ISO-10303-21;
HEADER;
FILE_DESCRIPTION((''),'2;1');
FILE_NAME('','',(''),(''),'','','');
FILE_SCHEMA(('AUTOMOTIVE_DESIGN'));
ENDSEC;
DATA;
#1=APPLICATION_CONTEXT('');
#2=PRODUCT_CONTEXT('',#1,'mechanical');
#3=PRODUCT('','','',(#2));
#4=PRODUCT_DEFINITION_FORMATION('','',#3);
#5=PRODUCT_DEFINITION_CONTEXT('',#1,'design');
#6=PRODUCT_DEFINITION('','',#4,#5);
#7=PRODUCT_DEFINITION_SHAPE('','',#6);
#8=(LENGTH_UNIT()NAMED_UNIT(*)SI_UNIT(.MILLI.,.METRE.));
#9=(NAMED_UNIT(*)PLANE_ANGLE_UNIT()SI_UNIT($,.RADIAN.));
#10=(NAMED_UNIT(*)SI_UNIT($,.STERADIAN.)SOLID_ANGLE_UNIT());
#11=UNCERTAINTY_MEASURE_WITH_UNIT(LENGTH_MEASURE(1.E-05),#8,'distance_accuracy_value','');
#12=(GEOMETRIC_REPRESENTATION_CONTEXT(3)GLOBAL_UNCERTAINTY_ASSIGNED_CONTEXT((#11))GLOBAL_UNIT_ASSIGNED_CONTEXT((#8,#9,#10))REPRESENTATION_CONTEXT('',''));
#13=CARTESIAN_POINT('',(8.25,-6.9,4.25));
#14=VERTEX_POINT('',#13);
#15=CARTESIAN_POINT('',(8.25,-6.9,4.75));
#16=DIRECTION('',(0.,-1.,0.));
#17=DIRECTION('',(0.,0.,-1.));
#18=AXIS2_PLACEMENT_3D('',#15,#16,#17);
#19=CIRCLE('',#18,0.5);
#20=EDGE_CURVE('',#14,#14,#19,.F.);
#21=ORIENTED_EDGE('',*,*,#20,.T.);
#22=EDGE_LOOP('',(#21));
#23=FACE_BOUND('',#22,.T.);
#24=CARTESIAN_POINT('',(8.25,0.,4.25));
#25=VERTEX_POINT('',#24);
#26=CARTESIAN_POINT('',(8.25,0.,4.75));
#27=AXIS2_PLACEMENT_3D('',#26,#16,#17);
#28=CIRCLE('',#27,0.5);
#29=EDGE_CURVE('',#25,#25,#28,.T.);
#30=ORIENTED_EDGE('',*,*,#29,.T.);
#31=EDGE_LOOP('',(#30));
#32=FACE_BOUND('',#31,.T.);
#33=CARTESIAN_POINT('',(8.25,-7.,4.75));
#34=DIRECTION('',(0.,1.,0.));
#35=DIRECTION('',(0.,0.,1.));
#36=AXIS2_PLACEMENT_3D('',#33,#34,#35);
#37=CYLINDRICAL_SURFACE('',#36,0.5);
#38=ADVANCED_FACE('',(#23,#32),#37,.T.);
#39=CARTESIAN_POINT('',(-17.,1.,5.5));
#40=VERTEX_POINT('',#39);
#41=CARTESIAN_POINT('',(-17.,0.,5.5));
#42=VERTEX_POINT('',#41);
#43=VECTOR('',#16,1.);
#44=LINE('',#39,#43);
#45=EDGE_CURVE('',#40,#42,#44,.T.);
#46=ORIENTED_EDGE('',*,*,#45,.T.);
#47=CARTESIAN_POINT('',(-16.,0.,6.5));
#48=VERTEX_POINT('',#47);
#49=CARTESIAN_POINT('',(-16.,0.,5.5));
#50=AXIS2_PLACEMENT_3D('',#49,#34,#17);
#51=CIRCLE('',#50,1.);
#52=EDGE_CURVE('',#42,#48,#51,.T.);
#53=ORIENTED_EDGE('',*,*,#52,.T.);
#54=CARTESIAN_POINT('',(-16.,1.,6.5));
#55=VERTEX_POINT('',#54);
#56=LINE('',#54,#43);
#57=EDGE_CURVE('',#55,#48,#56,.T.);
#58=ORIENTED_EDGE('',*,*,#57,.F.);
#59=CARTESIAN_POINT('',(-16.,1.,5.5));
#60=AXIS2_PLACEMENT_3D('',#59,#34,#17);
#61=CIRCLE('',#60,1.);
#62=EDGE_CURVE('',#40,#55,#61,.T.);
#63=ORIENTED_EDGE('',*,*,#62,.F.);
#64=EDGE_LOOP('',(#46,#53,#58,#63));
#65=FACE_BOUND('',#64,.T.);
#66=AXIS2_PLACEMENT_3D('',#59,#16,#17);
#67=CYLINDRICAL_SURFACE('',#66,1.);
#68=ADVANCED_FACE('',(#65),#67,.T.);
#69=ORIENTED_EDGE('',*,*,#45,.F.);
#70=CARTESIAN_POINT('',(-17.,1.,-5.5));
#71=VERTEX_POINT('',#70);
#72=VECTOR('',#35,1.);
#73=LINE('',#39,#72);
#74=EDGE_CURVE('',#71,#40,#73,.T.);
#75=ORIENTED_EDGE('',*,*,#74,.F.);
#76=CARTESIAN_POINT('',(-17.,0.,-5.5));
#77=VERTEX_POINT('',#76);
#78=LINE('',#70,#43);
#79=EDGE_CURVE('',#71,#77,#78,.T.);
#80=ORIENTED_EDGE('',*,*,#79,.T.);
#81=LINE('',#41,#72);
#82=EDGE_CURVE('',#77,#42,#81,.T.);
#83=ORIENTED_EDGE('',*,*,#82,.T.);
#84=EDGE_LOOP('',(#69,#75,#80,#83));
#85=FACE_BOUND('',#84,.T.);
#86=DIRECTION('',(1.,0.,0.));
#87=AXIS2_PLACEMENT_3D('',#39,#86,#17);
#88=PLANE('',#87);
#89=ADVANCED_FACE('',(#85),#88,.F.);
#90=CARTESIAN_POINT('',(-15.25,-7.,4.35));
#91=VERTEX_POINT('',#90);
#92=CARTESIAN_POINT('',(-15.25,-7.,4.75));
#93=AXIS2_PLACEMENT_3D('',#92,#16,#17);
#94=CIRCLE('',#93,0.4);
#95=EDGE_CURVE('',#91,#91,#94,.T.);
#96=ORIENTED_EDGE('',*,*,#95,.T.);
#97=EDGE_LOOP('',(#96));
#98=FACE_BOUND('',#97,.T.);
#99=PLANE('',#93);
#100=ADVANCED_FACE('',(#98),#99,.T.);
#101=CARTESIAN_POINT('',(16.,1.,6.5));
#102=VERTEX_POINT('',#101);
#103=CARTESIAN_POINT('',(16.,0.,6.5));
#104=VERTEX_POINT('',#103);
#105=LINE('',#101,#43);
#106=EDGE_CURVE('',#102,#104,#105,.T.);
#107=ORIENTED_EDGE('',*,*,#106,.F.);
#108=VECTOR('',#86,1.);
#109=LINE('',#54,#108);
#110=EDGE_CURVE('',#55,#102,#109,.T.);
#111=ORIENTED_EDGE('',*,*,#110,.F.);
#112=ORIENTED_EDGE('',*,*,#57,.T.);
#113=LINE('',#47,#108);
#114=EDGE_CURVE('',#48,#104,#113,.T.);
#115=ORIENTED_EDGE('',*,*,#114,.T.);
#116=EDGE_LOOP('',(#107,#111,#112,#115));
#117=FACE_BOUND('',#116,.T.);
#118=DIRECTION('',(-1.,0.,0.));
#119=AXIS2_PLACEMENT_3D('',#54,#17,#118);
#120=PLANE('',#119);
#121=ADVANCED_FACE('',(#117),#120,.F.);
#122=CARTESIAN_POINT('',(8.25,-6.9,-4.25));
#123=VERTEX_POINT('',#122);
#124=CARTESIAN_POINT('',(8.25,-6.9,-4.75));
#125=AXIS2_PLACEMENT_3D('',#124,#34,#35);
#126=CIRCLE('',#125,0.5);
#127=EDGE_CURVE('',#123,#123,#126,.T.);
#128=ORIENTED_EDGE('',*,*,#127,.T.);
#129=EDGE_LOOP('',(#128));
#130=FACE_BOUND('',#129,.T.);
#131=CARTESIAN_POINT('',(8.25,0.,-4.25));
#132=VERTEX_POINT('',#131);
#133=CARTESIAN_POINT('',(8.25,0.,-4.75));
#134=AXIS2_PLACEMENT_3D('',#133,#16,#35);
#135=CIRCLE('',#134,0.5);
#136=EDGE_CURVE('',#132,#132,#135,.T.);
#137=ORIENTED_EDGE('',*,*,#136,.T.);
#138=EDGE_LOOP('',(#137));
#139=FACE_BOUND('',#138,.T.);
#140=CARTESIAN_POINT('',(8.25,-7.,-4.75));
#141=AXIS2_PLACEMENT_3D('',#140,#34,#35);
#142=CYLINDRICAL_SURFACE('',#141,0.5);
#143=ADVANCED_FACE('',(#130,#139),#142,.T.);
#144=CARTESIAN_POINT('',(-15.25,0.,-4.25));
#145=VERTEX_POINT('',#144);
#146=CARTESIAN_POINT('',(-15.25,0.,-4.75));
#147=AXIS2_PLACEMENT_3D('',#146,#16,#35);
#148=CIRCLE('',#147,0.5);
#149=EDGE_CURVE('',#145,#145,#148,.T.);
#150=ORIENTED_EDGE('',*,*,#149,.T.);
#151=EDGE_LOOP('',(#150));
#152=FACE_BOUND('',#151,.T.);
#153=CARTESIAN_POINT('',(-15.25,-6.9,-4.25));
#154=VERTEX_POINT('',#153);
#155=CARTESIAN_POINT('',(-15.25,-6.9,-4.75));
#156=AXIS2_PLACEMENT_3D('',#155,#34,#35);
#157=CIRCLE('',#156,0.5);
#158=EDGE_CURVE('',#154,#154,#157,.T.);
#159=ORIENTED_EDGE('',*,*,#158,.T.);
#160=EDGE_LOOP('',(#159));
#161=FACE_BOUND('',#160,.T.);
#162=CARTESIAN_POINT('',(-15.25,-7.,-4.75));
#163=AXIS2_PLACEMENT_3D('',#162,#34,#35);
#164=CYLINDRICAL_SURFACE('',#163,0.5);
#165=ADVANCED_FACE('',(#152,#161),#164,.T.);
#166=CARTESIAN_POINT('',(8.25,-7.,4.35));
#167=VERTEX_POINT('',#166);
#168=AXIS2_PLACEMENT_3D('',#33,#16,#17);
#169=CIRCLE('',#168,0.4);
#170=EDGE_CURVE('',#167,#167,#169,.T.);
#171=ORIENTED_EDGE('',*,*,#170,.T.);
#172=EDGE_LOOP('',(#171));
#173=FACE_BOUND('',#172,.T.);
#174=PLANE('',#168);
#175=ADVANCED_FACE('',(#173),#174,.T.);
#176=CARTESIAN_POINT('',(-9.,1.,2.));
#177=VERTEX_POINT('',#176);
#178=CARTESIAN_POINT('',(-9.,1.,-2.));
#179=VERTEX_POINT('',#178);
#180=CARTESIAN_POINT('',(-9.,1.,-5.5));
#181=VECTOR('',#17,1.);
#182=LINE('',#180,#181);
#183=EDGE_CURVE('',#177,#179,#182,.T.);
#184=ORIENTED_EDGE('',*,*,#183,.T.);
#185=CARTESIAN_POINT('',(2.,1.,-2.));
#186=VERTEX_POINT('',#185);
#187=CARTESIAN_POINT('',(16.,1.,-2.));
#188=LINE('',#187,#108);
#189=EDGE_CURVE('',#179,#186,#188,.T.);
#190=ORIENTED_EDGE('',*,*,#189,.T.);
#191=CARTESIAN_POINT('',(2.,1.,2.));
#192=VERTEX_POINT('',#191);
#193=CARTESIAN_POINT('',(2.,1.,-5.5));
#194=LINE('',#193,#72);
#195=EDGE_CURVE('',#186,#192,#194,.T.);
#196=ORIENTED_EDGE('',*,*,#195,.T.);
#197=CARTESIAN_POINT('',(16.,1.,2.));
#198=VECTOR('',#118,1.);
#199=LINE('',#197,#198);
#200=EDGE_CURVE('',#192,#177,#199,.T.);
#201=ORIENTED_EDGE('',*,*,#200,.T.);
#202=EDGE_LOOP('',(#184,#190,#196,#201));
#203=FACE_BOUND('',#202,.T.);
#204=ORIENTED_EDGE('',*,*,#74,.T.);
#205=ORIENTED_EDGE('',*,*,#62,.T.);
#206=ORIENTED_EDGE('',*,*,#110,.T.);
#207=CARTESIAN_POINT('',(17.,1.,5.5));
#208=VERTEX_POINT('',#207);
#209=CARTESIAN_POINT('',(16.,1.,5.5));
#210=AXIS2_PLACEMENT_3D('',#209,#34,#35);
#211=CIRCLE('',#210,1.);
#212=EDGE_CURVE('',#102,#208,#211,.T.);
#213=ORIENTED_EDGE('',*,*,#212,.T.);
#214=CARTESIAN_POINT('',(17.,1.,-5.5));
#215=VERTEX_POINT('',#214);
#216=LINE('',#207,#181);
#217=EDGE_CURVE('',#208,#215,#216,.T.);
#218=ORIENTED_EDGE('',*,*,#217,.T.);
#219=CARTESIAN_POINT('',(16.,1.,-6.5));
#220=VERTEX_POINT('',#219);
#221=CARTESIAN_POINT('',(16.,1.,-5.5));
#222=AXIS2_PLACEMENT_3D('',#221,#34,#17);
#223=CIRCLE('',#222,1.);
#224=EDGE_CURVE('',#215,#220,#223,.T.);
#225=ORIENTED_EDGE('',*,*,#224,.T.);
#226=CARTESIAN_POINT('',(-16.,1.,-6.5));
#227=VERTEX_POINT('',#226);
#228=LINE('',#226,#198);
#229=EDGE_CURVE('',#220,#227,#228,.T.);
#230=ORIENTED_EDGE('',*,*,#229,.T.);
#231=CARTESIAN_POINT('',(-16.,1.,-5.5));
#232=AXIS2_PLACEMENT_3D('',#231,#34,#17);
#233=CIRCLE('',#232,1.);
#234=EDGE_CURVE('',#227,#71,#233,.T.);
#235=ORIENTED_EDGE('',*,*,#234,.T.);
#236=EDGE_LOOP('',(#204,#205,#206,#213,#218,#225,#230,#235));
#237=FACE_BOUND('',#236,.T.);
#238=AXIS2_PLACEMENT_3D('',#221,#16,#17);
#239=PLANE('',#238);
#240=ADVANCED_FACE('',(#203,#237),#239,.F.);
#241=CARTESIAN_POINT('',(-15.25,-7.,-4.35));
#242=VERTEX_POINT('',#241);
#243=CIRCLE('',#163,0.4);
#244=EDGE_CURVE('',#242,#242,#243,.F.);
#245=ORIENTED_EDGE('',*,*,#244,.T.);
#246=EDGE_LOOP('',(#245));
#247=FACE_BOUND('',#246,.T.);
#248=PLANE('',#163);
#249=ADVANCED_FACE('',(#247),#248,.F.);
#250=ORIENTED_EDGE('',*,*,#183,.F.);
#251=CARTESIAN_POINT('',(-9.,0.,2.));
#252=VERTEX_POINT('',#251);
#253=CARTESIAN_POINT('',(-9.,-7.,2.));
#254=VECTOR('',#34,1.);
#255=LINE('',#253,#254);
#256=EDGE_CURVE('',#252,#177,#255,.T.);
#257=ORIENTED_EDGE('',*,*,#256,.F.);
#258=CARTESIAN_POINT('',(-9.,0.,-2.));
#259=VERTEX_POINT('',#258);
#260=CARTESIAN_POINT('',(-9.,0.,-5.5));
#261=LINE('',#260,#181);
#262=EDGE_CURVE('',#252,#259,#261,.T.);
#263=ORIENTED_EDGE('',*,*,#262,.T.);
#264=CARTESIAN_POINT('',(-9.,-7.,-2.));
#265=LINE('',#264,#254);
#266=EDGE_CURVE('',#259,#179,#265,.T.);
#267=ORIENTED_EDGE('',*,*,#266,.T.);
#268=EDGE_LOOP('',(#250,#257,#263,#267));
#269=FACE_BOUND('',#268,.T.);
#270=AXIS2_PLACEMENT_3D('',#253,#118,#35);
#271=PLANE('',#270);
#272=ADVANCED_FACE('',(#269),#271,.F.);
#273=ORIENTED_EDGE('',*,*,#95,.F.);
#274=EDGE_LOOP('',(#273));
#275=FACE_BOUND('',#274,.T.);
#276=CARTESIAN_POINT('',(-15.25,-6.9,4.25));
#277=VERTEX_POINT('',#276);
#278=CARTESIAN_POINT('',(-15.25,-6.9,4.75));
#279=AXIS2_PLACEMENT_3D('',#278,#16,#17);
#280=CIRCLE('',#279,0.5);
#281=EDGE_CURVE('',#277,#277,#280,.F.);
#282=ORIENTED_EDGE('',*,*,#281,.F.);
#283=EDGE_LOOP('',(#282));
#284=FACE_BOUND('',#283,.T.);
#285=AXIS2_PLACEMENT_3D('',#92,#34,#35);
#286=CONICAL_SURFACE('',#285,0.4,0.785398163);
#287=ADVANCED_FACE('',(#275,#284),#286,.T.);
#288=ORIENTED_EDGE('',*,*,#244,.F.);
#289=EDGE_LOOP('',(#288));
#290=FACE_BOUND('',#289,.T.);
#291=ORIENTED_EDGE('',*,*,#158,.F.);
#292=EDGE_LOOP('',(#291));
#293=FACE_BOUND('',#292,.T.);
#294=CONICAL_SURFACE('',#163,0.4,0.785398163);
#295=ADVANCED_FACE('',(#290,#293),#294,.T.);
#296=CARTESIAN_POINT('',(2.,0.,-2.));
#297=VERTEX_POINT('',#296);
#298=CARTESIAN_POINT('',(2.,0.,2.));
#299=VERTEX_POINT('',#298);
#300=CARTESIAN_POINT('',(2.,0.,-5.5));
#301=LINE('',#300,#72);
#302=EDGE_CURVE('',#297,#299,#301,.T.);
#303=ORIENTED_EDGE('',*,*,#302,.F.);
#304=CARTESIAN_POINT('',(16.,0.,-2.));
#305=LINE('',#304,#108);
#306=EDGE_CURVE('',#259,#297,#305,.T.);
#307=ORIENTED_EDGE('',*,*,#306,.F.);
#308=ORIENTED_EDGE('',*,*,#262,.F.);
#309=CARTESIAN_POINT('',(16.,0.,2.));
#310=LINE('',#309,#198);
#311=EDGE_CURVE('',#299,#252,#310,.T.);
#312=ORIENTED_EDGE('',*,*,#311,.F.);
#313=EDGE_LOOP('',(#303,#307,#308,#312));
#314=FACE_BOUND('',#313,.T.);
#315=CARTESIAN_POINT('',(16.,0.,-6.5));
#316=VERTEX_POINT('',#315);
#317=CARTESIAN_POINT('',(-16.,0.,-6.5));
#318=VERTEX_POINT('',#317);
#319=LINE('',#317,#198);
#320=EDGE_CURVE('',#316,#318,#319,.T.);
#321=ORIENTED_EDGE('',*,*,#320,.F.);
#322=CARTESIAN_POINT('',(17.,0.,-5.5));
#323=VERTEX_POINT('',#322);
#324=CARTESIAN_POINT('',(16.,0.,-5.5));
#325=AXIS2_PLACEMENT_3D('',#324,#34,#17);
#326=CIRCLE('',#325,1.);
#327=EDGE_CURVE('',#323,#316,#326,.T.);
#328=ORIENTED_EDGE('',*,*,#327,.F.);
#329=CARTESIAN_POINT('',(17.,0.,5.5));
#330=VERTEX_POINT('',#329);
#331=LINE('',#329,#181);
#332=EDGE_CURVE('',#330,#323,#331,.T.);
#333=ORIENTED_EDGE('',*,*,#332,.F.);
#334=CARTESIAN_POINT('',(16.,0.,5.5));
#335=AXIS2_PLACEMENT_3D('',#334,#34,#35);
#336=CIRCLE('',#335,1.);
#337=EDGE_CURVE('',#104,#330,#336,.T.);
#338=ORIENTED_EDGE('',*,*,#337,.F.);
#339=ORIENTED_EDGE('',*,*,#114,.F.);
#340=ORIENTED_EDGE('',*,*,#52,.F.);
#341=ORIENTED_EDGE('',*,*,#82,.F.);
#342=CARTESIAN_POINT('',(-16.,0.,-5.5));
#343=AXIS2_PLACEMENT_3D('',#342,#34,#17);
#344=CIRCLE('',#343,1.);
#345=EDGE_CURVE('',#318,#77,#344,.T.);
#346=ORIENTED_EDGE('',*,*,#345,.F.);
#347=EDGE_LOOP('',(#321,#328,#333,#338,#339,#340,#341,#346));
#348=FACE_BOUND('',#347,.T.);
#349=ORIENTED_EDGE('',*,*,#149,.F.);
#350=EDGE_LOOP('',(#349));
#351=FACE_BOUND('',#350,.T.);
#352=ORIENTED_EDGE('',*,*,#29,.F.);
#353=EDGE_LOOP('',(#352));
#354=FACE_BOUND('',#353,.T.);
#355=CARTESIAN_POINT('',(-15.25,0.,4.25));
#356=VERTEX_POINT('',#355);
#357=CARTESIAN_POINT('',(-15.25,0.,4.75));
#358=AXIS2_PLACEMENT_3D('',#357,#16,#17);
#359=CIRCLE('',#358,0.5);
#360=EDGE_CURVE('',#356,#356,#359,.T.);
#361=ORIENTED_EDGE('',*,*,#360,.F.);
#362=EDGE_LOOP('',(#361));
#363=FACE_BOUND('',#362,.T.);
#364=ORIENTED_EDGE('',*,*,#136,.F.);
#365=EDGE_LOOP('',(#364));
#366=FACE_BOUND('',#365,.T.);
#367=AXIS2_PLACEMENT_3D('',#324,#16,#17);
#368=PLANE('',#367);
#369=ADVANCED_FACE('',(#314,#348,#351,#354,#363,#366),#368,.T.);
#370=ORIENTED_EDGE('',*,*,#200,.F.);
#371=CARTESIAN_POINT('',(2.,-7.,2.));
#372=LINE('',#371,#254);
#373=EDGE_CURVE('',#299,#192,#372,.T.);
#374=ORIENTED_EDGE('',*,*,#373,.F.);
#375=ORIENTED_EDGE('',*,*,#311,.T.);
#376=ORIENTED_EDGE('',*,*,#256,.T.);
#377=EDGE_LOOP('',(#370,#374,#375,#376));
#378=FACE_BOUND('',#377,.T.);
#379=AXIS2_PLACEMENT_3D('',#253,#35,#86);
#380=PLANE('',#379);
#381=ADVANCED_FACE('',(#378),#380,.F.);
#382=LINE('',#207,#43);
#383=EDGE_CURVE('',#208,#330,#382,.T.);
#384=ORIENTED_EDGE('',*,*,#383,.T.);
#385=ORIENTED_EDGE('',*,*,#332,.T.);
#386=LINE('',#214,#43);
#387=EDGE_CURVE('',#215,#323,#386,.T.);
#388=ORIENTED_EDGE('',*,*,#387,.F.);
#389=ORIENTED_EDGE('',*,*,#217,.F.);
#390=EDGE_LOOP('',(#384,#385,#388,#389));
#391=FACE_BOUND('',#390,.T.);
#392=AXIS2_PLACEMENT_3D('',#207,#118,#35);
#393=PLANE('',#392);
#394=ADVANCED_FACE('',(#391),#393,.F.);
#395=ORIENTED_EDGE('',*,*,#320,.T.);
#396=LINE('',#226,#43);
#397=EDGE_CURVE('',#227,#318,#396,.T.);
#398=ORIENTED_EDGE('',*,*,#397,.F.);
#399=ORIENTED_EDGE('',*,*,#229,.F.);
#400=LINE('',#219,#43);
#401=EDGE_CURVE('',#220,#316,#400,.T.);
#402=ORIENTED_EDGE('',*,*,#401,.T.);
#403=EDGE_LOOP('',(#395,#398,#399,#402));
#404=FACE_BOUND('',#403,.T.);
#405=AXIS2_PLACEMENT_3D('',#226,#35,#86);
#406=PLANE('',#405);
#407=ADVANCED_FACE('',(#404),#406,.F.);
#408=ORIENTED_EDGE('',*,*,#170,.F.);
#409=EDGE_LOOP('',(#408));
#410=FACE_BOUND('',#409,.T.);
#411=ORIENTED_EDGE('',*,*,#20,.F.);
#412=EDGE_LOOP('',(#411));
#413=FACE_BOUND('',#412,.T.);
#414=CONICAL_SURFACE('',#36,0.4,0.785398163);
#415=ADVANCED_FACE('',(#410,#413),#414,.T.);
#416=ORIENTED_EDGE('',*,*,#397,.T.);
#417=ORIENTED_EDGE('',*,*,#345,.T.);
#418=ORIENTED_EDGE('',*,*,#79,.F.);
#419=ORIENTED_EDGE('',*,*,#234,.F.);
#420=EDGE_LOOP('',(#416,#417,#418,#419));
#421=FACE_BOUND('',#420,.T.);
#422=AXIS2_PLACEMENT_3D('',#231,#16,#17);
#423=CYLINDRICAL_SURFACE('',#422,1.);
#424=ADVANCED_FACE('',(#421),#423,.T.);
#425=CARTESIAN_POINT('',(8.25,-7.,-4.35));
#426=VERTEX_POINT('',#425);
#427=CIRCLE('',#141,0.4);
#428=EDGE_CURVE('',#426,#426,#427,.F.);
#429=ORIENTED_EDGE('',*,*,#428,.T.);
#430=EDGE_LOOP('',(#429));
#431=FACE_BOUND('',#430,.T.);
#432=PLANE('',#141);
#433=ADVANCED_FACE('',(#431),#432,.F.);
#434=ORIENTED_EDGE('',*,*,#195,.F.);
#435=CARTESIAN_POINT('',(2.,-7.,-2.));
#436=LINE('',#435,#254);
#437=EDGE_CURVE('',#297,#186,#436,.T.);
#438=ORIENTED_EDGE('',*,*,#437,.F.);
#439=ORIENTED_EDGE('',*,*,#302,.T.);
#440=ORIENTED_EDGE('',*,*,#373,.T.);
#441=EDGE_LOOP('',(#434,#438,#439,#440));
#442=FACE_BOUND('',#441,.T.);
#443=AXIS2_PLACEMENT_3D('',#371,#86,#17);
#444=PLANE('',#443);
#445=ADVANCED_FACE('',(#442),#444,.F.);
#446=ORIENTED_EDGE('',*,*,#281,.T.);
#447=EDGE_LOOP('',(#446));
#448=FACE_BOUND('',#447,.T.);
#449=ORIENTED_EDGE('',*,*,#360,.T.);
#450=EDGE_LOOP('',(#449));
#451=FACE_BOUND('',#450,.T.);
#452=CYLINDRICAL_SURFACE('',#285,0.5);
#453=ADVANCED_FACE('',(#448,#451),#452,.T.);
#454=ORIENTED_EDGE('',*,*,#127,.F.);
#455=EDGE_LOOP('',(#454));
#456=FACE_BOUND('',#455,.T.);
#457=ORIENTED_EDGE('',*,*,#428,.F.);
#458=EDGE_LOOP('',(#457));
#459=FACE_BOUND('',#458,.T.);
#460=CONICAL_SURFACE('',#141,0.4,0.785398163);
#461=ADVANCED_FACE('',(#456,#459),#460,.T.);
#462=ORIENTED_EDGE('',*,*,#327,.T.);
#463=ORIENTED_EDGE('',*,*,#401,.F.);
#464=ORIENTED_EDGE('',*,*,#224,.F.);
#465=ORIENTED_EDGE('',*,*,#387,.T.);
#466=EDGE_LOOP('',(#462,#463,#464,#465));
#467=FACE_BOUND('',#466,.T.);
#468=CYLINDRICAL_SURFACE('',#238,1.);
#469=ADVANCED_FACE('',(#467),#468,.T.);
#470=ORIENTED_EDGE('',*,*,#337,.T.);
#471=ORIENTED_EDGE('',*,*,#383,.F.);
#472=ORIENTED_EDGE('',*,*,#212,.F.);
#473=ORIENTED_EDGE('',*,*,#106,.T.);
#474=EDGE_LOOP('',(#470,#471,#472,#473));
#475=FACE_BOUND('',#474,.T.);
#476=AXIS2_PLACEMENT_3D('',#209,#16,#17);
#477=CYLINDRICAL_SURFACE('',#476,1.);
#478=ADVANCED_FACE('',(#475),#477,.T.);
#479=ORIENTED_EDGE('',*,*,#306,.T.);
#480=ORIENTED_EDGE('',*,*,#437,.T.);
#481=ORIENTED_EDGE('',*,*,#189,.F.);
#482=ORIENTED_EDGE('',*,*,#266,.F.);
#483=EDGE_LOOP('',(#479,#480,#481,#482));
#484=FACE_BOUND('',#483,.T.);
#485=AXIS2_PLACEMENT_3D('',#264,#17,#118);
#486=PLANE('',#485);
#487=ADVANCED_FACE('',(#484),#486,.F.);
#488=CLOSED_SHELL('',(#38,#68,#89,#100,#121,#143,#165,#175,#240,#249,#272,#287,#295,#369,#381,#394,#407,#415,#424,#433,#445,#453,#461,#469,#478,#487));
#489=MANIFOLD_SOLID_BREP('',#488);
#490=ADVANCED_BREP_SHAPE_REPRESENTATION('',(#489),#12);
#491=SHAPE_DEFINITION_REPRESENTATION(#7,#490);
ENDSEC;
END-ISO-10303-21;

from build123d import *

# Parameters (mm, degrees)
BOSS_EXTRUDE1_DEPTH     = 1
SKETCH2_R               = 0.5
BOSS_EXTRUDE2_DEPTH     = 7
SKETCH4_W               = 11
SKETCH4_H               = 4
CUT_EXTRUDE1_DEPTH      = 1
CUT_EXTRUDE1_DEPTH_BACK = 9
CHAMFER2_SIZE           = 0.1


with BuildPart() as part:
    # Sketch1 → Boss-Extrude1 (new body)
    with BuildSketch(Plane(origin=(0, 0, 0), x_dir=(1, 0, 0), z_dir=(0, 1, 0))):
        with BuildLine():
            Line((-16, -6.5), (16, -6.5))
            ThreePointArc((16, -6.5), (16.707106781, -6.207106781), (17, -5.5))
            Line((17, -5.5), (17, 5.5))
            ThreePointArc((17, 5.5), (16.707106781, 6.207106781), (16, 6.5))
            Line((16, 6.5), (-16, 6.5))
            ThreePointArc((-16, 6.5), (-16.707106781, 6.207106781), (-17, 5.5))
            Line((-17, 5.5), (-17, -5.5))
            ThreePointArc((-17, -5.5), (-16.707106781, -6.207106781), (-16, -6.5))
        make_face()
    extrude(amount=BOSS_EXTRUDE1_DEPTH)

    # Sketch2 → Boss-Extrude2 (add)
    with BuildSketch(Plane.XZ):
        with Locations((-15.25, 4.75)):
            Circle(SKETCH2_R)
        with Locations((-15.25, -4.75)):
            Circle(SKETCH2_R)
        with Locations((8.25, -4.75)):
            Circle(SKETCH2_R)
        with Locations((8.25, 4.75)):
            Circle(SKETCH2_R)
    extrude(amount=BOSS_EXTRUDE2_DEPTH)

    # Sketch4 → Cut-Extrude1 (cut, two sides)
    with BuildSketch(Plane(origin=(0, 1, 0), x_dir=(1, 0, 0), z_dir=(0, 1, 0))) as cut_extrude1_sk:
        with Locations((-3.5, 0)):
            Rectangle(SKETCH4_W, SKETCH4_H)
    extrude(amount=CUT_EXTRUDE1_DEPTH, mode=Mode.SUBTRACT)
    extrude(cut_extrude1_sk.sketch, amount=-CUT_EXTRUDE1_DEPTH_BACK, mode=Mode.SUBTRACT)

    # Chamfer2
    chamfer2_edges = [part.edges().sort_by_distance(p)[0] for p in [
        (-15.75, -7, 4.75),
        (7.75, -7, 4.75),
        (7.75, -7, -4.75),
        (-15.75, -7, -4.75),
    ]]
    chamfer(chamfer2_edges, length=CHAMFER2_SIZE)


solid = part.part
